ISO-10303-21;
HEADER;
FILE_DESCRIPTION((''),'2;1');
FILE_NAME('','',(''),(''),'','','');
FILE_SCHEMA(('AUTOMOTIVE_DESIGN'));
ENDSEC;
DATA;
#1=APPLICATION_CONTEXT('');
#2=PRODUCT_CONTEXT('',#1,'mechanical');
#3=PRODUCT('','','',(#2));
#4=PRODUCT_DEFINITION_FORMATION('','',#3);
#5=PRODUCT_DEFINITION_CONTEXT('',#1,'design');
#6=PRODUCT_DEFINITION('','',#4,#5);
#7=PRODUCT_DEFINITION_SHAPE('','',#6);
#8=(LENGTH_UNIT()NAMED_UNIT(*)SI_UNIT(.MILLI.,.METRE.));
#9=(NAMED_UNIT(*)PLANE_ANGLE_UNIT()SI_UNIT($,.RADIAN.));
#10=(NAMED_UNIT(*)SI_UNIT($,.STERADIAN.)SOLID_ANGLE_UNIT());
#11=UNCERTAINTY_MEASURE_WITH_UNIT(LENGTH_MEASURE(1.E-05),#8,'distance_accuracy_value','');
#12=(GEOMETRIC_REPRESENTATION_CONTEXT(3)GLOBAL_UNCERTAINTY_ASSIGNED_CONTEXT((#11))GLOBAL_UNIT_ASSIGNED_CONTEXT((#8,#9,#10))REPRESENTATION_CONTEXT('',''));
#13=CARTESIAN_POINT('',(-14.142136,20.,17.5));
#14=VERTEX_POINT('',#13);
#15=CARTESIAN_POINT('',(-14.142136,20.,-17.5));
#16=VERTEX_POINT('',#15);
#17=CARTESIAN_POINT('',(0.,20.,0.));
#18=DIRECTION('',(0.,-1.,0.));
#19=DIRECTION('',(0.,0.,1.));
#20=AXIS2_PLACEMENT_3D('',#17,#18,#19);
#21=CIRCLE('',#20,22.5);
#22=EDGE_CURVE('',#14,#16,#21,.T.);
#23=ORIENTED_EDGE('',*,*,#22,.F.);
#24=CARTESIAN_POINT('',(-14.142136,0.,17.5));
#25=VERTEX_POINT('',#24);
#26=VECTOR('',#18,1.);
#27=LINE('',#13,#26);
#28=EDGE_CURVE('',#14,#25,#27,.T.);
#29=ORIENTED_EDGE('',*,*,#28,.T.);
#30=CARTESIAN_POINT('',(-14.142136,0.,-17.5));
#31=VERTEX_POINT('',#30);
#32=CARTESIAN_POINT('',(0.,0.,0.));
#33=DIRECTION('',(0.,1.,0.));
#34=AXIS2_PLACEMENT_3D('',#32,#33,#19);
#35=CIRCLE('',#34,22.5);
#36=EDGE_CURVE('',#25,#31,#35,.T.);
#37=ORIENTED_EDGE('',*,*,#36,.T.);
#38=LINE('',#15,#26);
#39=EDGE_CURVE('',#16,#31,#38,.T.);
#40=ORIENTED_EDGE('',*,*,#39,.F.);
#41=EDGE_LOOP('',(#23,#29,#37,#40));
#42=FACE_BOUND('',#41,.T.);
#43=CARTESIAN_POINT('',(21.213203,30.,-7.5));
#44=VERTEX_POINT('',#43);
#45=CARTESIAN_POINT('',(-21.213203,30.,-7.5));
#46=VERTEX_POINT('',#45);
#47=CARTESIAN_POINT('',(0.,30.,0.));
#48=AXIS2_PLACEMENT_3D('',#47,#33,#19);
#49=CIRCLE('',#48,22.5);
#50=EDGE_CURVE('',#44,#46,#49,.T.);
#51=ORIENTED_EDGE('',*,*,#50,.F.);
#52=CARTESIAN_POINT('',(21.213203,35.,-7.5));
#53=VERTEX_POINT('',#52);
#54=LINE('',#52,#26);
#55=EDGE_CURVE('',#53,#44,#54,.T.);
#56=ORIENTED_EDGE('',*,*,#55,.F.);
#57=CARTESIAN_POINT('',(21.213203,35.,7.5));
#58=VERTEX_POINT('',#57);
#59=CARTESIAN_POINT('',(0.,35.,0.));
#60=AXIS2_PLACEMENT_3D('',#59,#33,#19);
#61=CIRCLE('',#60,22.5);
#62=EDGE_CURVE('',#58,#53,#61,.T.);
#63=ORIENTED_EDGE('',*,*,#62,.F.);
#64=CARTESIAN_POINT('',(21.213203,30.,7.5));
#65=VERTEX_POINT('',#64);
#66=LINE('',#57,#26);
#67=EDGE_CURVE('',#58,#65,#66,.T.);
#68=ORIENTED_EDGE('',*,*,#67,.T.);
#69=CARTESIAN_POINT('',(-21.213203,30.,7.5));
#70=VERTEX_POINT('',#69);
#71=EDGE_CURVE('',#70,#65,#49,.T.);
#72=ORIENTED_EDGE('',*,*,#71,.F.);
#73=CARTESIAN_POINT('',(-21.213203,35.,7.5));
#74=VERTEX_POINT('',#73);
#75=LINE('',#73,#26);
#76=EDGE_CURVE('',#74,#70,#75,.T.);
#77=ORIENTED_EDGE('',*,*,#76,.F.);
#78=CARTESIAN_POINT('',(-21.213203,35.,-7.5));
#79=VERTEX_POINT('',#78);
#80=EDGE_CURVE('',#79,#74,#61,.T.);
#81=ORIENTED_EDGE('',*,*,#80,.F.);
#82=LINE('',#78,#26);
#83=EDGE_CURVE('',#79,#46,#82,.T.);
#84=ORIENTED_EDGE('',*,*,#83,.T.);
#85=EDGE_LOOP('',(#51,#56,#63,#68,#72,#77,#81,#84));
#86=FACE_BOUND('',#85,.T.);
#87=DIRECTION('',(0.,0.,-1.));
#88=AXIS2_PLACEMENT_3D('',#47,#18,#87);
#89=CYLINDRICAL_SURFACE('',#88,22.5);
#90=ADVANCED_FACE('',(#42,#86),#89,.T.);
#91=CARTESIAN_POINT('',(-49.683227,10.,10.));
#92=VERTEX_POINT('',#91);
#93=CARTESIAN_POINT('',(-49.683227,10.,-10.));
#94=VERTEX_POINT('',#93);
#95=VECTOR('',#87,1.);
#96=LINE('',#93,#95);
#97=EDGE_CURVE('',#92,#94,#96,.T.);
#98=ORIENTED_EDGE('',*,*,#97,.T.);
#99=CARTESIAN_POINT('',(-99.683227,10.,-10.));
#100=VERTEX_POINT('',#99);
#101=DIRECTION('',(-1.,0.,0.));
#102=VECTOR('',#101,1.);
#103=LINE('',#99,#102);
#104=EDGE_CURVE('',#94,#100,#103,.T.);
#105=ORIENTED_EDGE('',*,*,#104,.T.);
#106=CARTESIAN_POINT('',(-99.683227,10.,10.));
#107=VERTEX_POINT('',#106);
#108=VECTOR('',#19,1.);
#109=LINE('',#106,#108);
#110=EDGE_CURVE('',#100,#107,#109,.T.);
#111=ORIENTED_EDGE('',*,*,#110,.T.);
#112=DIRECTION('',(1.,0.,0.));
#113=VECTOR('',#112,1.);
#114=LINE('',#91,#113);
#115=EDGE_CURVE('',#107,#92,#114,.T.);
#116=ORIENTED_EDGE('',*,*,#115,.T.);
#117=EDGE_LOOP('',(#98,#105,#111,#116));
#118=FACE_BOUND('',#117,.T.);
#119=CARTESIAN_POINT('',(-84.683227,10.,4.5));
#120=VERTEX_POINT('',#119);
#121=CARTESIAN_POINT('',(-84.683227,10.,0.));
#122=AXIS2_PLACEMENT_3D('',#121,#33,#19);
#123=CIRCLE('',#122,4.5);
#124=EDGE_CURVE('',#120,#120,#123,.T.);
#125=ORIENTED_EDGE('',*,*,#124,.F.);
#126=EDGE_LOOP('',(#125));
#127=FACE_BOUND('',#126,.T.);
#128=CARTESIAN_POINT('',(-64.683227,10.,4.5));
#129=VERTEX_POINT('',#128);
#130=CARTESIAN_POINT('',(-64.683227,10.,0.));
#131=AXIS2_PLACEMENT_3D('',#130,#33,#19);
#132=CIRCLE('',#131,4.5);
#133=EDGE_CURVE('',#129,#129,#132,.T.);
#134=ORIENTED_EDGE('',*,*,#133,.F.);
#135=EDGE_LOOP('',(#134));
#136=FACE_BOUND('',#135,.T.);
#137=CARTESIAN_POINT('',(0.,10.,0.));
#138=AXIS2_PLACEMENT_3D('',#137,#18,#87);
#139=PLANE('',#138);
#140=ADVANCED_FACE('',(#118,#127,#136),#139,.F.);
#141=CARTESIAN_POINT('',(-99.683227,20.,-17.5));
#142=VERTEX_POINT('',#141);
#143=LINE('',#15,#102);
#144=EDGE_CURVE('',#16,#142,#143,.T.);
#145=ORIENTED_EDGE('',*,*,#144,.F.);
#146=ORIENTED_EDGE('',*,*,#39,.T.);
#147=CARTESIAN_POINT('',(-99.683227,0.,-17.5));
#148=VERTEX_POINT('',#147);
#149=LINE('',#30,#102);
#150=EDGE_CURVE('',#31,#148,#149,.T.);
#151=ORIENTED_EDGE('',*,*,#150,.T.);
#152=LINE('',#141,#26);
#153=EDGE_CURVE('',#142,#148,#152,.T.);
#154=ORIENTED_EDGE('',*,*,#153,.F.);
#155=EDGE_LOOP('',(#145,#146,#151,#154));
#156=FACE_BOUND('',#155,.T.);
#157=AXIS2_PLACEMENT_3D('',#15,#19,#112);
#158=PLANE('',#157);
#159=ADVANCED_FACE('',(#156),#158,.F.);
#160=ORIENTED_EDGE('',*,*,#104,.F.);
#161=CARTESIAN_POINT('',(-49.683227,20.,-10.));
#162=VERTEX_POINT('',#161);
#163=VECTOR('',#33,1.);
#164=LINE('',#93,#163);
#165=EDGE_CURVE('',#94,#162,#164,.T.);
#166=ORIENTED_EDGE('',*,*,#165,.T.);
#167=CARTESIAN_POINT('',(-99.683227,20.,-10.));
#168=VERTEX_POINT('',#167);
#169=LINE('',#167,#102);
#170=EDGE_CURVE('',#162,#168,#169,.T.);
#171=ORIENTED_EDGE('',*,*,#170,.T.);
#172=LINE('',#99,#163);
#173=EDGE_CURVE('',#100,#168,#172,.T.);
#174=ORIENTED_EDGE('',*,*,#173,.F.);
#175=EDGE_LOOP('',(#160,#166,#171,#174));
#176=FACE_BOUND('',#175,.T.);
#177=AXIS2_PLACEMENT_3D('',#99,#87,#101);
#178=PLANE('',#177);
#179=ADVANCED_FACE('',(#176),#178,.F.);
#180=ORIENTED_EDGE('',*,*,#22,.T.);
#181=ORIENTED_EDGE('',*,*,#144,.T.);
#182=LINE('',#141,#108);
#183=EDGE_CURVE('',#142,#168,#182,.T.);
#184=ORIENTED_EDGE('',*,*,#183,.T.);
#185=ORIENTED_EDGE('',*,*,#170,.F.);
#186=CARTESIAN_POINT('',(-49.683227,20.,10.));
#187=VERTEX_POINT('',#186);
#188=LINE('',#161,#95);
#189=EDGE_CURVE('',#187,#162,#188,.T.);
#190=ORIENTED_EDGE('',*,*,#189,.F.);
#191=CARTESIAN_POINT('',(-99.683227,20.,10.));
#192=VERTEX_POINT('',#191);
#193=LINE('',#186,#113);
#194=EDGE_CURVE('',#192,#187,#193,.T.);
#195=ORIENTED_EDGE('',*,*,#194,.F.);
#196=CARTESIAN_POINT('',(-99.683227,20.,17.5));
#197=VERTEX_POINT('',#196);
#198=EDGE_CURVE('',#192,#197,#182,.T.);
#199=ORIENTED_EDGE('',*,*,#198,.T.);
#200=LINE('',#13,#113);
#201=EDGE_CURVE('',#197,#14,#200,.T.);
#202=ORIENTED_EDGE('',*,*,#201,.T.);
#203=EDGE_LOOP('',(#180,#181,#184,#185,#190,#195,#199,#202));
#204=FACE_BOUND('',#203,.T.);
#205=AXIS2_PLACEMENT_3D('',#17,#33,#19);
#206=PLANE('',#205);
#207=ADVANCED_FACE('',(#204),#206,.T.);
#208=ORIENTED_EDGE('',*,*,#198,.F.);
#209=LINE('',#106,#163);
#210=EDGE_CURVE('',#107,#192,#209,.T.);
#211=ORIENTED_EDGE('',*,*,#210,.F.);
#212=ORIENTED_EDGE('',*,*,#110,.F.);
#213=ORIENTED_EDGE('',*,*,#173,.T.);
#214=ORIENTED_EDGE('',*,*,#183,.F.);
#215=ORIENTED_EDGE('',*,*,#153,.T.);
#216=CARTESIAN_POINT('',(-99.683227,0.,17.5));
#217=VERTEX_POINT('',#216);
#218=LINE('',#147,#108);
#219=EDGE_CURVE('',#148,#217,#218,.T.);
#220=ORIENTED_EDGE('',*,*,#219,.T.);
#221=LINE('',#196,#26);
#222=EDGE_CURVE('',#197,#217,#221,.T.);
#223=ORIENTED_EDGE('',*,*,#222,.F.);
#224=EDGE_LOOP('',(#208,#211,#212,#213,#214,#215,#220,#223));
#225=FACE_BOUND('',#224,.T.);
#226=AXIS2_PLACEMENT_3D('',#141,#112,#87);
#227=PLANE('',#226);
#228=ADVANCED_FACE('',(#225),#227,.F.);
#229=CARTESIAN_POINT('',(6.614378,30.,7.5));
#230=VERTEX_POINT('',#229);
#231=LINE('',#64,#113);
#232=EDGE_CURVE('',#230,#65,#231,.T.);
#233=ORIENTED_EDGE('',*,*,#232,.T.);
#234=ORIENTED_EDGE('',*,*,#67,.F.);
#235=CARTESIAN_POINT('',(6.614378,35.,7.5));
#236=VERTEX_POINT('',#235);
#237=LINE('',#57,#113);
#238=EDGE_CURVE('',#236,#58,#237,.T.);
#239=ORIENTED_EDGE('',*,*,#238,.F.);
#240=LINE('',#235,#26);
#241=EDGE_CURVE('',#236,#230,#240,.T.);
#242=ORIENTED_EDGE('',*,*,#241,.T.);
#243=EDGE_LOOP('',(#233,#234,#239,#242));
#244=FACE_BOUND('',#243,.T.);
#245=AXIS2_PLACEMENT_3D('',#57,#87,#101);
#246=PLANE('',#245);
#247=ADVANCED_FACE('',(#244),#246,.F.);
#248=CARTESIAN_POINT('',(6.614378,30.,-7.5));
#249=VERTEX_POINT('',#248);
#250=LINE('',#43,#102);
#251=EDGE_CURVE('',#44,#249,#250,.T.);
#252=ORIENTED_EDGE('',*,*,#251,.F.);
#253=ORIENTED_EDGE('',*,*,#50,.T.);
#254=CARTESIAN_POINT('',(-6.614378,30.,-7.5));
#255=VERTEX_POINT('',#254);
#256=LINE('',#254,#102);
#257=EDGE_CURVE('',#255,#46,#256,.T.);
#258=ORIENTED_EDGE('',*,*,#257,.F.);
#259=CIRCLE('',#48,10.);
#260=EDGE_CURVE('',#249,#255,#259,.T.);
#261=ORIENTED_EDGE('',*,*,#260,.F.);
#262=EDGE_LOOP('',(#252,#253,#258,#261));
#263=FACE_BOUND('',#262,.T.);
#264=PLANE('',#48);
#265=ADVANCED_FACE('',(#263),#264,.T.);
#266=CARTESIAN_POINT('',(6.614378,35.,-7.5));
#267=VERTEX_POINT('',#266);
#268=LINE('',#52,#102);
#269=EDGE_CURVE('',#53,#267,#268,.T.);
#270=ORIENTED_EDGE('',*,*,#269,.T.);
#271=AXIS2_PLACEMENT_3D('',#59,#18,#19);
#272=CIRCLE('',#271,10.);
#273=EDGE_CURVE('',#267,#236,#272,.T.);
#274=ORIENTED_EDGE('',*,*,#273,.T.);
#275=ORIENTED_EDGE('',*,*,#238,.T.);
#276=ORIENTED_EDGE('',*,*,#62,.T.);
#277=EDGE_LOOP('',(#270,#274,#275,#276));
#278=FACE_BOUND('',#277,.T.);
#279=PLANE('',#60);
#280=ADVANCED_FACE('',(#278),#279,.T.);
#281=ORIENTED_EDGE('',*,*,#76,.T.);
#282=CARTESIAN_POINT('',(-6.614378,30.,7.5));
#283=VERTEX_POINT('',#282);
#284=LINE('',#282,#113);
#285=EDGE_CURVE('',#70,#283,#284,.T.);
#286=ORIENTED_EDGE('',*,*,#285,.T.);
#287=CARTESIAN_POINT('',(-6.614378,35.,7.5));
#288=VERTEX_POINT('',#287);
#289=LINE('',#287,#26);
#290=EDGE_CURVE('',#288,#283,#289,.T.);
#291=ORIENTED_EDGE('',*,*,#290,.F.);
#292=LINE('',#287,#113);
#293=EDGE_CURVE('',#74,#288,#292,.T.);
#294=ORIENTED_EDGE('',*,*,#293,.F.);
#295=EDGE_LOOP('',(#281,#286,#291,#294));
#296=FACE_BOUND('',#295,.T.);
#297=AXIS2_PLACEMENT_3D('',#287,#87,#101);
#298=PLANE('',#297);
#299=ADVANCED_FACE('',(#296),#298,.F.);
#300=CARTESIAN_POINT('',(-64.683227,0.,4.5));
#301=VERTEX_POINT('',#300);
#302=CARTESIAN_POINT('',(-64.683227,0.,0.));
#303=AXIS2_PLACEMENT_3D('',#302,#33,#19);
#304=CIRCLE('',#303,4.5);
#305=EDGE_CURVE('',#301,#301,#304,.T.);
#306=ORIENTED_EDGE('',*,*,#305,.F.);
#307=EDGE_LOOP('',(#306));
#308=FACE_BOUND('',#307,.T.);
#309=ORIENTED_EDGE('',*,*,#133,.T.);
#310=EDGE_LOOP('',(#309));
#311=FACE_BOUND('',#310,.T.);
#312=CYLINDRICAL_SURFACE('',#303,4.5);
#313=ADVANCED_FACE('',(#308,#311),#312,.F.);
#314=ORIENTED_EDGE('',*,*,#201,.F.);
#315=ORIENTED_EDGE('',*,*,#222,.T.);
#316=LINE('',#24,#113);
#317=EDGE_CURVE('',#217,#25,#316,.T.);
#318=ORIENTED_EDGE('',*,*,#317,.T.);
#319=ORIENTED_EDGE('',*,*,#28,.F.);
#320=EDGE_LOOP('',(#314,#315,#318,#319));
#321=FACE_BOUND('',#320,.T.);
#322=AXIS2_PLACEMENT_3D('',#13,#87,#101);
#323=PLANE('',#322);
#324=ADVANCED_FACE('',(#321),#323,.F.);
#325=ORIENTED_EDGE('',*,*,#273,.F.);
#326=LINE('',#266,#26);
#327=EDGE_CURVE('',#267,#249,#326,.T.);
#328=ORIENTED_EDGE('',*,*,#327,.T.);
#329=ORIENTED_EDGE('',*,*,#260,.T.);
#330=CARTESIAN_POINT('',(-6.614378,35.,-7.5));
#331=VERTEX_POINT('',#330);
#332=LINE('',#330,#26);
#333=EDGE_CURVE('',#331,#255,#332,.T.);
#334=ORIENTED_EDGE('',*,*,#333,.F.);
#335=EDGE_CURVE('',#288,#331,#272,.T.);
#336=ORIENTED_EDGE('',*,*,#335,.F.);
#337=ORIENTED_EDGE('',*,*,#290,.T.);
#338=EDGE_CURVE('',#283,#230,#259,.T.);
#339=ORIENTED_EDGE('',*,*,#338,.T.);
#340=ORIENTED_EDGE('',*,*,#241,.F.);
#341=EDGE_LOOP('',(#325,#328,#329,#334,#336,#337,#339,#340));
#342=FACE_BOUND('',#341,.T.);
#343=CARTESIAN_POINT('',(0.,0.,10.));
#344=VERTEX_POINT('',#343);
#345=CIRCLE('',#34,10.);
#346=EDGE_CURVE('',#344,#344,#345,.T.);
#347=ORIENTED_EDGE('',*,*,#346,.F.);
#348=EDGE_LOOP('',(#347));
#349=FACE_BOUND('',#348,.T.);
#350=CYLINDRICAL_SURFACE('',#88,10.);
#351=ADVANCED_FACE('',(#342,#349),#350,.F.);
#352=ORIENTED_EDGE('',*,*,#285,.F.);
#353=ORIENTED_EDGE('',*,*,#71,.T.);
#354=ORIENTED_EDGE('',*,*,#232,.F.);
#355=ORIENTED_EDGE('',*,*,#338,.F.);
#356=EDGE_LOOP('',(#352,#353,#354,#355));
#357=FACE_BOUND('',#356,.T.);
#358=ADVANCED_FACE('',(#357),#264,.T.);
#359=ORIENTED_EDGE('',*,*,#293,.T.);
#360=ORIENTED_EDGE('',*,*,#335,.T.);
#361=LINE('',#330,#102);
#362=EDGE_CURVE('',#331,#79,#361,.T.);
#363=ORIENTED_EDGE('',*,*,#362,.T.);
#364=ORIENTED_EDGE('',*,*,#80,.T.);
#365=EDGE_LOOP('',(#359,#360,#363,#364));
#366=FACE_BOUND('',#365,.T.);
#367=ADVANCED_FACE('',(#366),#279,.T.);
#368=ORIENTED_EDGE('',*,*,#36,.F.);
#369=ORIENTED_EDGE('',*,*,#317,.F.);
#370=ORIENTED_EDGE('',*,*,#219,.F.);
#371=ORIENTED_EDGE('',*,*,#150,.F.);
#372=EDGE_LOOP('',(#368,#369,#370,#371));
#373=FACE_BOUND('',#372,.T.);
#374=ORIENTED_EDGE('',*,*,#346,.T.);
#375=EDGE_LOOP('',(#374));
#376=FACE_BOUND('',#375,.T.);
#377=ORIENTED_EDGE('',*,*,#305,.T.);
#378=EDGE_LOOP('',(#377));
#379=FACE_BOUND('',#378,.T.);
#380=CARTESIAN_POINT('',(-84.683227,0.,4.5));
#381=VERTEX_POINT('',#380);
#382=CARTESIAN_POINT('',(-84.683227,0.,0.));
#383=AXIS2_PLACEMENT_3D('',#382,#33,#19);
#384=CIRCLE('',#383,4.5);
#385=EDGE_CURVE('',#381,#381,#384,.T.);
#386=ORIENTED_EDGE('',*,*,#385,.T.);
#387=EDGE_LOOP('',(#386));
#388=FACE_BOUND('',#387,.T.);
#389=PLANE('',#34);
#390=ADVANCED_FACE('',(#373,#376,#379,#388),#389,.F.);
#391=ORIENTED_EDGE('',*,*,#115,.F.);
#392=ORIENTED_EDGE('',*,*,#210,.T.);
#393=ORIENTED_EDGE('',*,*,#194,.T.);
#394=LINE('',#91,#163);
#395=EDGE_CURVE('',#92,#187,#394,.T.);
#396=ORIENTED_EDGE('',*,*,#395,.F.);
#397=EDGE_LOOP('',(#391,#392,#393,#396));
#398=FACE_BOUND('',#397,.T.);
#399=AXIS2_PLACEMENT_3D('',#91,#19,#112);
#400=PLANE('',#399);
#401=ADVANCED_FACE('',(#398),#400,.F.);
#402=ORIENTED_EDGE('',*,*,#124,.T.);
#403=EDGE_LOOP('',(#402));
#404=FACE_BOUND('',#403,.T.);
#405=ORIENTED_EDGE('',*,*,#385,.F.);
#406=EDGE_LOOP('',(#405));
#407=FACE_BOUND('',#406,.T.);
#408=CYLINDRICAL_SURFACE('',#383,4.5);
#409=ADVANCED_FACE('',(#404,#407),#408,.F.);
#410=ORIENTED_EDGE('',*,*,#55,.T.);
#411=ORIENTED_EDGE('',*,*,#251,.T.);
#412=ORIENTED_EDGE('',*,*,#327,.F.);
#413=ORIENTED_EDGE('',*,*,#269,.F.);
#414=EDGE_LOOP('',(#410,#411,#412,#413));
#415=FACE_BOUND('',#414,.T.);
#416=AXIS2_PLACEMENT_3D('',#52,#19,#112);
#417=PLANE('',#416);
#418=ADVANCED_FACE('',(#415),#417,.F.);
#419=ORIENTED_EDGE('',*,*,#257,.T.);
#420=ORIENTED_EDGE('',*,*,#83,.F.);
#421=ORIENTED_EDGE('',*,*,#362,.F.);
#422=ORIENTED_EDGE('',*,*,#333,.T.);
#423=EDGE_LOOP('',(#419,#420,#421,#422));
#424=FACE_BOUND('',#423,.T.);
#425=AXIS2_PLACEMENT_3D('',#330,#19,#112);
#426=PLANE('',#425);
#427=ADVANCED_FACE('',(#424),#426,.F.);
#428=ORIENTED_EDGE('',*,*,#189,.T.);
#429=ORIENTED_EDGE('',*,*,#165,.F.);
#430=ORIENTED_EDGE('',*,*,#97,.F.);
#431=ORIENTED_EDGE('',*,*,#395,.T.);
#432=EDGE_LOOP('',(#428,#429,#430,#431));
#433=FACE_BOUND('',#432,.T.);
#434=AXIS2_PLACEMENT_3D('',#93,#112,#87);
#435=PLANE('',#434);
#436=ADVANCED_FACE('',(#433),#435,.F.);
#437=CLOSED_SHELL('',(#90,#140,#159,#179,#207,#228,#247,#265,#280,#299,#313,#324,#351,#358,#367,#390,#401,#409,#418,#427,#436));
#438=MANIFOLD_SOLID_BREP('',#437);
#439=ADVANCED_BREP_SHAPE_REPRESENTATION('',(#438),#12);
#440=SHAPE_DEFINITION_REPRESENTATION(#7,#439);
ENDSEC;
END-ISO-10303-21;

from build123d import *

# Parameters (mm, degrees)
IZIM1_R                     = 22.5
IZIM1_R_2                   = 10
Y_KSEKLIK_EKSTR_ZYON1_DEPTH = 30
Y_KSEKLIK_EKSTR_ZYON2_DEPTH = 5
Y_KSEKLIK_EKSTR_ZYON3_DEPTH = 20
IZIM4_W                     = 50
IZIM4_H                     = 20
KES_EKSTR_ZYON1_DEPTH       = 10
IZIM5_R                     = 4.5
KES_EKSTR_ZYON2_DEPTH       = 10


with BuildPart() as part:
    # Çizim1 → Yükseklik-Ekstrüzyon1 (new body)
    with BuildSketch(Plane(origin=(0, 0, 0), x_dir=(1, 0, 0), z_dir=(0, 1, 0))):
        with Locations(Location((0, 0, 0), (0, 0, 270))):
            Circle(IZIM1_R)
        with Locations(Location((0, 0, 0), (0, 0, 270))):
            Circle(IZIM1_R_2, mode=Mode.SUBTRACT)
    extrude(amount=Y_KSEKLIK_EKSTR_ZYON1_DEPTH)

    # Çizim2 → Yükseklik-Ekstrüzyon2 (add)
    with BuildSketch(Plane(origin=(0, 30, 0), x_dir=(1, 0, 0), z_dir=(0, 1, 0))):
        with BuildLine():
            Line((-6.614378278, 7.5), (-21.213203436, 7.5))
            ThreePointArc((-21.213203436, 7.5), (-22.5, 0), (-21.213203436, -7.5))
            Line((-21.213203436, -7.5), (-6.614378278, -7.5))
            ThreePointArc((-6.614378278, -7.5), (-10, 0), (-6.614378278, 7.5))
        make_face()
        with BuildLine():
            Line((21.213203436, 7.5), (6.614378278, 7.5))
            ThreePointArc((6.614378278, 7.5), (10, 0), (6.614378278, -7.5))
            Line((6.614378278, -7.5), (21.213203436, -7.5))
            ThreePointArc((21.213203436, -7.5), (22.5, 0), (21.213203436, 7.5))
        make_face()
    extrude(amount=Y_KSEKLIK_EKSTR_ZYON2_DEPTH)

    # Çizim3 → Yükseklik-Ekstrüzyon3 (add)
    with BuildSketch(Plane(origin=(0, 0, 0), x_dir=(1, 0, 0), z_dir=(0, 1, 0))):
        with BuildLine():
            Line((-14.142135624, -17.5), (-99.683227017, -17.5))
            Line((-99.683227017, -17.5), (-99.683227017, 17.5))
            Line((-99.683227017, 17.5), (-14.142135624, 17.5))
            ThreePointArc((-14.142135624, 17.5), (-18.371173071, 12.990381057), (-21.213203436, 7.5))
            ThreePointArc((-21.213203436, 7.5), (-22.5, 0), (-21.213203436, -7.5))
            ThreePointArc((-21.213203436, -7.5), (-18.371173071, -12.990381057), (-14.142135624, -17.5))
        make_face()
    extrude(amount=Y_KSEKLIK_EKSTR_ZYON3_DEPTH)

    # Çizim4 → Kes-Ekstrüzyon1 (cut)
    with BuildSketch(Plane(origin=(0, 20, 0), x_dir=(1, 0, 0), z_dir=(0, 1, 0))):
        with Locations((-74.683227017, 0)):
            Rectangle(IZIM4_W, IZIM4_H)
    extrude(amount=-KES_EKSTR_ZYON1_DEPTH, mode=Mode.SUBTRACT)

    # Çizim5 → Kes-Ekstrüzyon2 (cut)
    with BuildSketch(Plane(origin=(0, 10, 0), x_dir=(1, 0, 0), z_dir=(0, 1, 0))):
        with Locations(Location((-84.683227017, 0, 0), (0, 0, 270))):
            Circle(IZIM5_R)
        with Locations(Location((-64.683227017, 0, 0), (0, 0, 270))):
            Circle(IZIM5_R)
    extrude(amount=-KES_EKSTR_ZYON2_DEPTH, mode=Mode.SUBTRACT)


solid = part.part
